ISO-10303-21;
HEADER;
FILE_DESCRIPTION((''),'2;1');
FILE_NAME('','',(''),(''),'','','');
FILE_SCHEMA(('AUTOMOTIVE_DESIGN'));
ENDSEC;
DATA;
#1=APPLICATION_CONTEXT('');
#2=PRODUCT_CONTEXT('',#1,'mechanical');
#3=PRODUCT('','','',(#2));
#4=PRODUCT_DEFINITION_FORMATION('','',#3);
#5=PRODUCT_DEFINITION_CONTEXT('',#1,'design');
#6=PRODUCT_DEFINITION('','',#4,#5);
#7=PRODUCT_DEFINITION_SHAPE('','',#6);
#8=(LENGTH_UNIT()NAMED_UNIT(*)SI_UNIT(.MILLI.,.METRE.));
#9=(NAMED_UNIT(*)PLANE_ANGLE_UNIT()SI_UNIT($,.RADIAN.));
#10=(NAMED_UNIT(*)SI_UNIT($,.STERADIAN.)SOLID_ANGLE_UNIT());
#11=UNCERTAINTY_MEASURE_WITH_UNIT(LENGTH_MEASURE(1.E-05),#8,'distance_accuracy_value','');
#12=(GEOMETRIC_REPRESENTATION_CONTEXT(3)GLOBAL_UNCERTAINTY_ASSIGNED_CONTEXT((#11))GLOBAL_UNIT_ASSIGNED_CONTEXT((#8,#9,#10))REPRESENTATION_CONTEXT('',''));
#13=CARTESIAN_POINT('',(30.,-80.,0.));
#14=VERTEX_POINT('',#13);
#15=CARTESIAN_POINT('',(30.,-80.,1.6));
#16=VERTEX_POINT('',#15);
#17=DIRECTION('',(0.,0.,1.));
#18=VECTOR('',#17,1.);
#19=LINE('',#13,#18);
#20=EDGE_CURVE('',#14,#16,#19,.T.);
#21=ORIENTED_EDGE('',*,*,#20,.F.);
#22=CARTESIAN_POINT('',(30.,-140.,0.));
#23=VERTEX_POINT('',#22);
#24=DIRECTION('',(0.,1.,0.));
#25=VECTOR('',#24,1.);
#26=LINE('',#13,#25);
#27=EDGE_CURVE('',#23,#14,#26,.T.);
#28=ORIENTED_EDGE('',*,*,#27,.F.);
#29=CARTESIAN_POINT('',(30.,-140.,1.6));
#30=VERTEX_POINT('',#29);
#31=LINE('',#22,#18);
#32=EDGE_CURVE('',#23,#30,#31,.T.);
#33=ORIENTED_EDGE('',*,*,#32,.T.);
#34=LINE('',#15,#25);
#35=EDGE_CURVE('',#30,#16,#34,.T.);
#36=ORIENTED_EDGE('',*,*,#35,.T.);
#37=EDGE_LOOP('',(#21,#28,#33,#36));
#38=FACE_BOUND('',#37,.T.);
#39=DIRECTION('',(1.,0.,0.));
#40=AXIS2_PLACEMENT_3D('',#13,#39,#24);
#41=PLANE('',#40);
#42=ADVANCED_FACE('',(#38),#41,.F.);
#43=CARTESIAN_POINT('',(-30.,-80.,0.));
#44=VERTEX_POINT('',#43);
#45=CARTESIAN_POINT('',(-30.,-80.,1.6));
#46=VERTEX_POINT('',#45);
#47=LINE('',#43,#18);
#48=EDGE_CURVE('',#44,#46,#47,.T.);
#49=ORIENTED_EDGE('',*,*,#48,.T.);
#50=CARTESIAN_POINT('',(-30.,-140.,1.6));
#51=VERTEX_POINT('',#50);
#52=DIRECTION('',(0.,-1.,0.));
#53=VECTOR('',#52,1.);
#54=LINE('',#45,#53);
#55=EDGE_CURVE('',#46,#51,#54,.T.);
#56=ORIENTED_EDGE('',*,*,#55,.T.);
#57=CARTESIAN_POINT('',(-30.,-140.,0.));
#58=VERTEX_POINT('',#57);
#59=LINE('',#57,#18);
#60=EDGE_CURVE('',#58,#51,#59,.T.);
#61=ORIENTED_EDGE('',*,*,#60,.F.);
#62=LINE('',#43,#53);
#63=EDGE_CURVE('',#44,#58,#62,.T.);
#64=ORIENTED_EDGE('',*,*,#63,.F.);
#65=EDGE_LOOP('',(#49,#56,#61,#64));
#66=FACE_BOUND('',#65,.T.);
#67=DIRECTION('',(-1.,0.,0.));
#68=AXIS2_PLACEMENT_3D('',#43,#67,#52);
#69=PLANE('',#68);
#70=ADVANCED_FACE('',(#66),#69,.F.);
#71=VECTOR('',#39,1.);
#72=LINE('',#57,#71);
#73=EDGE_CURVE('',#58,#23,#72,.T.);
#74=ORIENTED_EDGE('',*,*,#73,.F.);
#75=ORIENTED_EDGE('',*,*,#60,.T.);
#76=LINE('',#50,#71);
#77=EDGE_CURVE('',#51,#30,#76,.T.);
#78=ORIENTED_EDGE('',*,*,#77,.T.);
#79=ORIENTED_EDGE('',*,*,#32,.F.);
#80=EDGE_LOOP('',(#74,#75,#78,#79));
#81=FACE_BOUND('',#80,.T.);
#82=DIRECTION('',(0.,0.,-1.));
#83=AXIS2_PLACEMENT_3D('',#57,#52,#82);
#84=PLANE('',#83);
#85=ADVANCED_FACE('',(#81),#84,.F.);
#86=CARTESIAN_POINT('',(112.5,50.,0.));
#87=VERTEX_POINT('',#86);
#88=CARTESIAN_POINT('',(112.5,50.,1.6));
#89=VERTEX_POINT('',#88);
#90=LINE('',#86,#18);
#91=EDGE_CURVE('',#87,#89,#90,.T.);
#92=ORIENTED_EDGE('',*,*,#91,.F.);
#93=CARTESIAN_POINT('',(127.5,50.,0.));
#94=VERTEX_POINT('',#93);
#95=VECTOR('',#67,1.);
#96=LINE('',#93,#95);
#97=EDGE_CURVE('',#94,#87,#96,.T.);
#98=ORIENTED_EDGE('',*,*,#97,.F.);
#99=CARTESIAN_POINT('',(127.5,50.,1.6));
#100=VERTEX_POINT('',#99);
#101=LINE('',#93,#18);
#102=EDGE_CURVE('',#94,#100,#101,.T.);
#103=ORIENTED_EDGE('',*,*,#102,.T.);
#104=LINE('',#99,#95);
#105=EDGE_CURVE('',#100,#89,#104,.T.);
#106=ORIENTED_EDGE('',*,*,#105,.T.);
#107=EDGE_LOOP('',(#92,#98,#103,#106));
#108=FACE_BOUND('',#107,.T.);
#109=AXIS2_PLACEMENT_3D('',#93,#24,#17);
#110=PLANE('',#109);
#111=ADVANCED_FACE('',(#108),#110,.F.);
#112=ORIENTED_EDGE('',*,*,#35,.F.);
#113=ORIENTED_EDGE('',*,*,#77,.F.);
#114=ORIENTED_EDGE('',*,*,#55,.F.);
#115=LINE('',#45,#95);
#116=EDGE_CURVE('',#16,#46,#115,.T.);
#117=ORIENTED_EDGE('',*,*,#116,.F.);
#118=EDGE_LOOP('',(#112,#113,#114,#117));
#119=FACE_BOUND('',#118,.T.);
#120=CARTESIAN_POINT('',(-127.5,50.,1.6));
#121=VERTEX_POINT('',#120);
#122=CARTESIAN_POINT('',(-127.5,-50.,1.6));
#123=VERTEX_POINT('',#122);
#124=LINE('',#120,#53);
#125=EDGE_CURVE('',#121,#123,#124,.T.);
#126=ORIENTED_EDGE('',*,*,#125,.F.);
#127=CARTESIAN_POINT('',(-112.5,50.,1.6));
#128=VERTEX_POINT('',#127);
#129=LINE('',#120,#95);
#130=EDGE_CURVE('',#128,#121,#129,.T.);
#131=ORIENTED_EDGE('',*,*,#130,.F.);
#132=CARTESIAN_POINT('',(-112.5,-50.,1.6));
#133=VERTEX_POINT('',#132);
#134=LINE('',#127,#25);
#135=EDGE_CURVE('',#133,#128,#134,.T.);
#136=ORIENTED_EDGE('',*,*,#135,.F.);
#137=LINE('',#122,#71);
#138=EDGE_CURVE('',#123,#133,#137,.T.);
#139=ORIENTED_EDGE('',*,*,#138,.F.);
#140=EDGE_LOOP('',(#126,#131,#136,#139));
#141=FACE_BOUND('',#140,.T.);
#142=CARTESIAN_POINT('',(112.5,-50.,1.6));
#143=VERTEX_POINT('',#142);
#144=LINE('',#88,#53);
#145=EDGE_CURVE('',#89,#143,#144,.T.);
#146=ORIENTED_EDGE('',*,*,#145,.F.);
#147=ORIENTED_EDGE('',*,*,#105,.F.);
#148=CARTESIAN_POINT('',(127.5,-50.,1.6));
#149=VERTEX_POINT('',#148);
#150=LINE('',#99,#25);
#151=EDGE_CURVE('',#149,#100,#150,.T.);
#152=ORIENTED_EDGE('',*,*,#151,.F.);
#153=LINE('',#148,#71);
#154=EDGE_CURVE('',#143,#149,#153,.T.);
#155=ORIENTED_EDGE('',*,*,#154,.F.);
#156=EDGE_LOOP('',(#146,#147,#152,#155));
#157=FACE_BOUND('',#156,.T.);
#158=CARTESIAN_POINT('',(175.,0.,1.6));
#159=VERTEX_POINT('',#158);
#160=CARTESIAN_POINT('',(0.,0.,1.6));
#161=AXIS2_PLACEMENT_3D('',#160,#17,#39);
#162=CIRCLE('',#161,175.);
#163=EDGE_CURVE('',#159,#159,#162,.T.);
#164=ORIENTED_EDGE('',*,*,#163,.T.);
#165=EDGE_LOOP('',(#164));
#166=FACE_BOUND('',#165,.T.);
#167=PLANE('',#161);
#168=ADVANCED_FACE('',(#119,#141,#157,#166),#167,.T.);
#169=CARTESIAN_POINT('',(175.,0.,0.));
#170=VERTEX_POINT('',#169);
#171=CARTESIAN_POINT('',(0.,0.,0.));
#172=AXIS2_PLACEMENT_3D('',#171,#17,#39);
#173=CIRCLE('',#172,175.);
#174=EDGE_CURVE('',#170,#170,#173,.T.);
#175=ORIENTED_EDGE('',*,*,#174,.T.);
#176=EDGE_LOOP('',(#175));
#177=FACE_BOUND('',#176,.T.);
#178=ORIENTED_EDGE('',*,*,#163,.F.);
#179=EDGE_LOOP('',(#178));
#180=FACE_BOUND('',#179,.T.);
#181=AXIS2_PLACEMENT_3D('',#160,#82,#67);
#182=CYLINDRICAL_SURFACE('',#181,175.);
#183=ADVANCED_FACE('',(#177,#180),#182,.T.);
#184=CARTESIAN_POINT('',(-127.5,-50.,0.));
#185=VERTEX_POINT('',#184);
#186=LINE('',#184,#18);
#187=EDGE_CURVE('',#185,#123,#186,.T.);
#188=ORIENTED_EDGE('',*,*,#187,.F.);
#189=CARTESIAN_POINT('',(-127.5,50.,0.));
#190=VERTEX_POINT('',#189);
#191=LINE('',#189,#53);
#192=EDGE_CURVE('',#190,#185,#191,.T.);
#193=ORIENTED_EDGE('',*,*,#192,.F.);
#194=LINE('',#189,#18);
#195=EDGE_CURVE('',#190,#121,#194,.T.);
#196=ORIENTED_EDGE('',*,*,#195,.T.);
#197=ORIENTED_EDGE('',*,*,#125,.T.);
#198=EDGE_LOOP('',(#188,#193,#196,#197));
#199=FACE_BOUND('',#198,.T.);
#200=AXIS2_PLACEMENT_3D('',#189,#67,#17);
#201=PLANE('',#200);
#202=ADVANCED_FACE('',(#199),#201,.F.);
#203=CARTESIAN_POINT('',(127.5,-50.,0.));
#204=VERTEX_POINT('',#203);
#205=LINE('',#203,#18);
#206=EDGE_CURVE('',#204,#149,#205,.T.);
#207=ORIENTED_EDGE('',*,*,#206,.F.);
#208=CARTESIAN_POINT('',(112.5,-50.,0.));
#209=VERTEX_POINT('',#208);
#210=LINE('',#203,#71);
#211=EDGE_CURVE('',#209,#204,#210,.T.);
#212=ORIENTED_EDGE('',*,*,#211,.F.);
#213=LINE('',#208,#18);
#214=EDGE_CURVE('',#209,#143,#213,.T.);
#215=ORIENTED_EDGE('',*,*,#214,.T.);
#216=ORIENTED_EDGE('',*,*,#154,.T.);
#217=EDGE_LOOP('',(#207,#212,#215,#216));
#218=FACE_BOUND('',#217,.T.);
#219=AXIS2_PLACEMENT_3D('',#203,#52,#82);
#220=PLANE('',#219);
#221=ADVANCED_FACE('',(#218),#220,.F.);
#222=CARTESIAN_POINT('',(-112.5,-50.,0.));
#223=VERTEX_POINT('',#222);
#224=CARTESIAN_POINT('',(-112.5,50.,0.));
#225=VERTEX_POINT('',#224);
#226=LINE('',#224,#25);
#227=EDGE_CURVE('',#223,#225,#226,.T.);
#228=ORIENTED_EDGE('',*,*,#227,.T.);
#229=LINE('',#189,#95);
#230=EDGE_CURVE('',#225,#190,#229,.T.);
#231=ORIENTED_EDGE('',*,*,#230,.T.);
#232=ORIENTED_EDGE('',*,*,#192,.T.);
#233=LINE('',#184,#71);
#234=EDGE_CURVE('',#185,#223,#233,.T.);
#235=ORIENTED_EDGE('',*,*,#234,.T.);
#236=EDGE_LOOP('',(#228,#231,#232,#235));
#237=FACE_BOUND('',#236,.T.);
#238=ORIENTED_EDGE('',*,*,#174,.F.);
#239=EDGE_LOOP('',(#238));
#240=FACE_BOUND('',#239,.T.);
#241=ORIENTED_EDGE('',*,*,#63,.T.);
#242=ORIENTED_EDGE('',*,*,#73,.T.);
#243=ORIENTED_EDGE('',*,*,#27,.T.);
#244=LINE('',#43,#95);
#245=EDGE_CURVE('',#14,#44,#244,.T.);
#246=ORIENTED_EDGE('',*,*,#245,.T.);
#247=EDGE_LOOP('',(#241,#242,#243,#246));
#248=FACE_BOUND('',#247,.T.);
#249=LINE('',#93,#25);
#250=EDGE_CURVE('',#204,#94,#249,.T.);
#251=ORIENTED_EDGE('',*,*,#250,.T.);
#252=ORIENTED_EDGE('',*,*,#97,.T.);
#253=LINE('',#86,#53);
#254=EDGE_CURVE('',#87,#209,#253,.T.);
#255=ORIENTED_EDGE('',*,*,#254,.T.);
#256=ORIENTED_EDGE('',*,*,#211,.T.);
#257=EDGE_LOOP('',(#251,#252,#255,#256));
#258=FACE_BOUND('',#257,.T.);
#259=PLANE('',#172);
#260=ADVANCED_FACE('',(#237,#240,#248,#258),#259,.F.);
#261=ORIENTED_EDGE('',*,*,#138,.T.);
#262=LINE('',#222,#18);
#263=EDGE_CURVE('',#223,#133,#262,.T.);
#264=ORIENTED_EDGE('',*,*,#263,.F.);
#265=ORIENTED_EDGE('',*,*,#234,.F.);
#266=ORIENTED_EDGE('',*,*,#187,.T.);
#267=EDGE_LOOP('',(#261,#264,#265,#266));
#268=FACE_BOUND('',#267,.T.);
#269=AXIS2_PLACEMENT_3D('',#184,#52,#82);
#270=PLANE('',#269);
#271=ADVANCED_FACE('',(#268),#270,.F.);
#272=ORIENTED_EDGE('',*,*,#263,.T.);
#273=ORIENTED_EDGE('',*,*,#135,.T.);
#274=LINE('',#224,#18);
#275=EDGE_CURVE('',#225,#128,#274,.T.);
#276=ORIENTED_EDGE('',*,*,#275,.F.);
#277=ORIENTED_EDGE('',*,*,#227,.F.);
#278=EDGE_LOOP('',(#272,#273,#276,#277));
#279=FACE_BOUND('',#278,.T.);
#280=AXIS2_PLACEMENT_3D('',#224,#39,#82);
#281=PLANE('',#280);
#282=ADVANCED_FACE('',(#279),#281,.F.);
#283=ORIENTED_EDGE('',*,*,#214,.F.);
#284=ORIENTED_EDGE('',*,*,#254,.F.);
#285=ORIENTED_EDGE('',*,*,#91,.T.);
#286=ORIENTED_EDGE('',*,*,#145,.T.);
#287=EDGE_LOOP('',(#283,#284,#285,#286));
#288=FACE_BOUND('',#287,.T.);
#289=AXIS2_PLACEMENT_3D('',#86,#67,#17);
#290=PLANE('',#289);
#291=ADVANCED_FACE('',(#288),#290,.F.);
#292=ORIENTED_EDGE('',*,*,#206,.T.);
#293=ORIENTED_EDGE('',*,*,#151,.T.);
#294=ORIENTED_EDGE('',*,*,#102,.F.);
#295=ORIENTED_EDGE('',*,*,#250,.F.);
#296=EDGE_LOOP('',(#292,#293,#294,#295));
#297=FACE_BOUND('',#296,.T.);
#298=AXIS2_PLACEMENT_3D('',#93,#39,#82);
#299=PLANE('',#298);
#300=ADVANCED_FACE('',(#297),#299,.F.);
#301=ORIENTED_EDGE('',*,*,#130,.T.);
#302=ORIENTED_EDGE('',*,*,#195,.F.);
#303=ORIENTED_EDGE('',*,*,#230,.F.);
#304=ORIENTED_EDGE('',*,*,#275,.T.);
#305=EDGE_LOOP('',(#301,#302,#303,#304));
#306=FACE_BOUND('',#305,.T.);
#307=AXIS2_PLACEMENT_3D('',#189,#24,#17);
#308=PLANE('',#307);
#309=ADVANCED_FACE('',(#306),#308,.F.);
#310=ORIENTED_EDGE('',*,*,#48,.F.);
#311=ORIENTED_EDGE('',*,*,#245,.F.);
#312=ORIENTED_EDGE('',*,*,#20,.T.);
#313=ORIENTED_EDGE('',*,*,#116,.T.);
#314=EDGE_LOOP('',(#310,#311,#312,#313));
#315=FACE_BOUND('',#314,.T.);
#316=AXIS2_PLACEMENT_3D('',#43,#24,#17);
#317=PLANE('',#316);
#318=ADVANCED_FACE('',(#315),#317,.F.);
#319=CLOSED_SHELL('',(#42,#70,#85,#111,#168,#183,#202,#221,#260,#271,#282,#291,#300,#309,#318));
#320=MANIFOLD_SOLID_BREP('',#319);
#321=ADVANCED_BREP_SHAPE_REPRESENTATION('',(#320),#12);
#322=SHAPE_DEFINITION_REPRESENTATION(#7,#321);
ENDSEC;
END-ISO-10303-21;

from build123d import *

# Parameters (mm, degrees)
SKETCH1_R           = 175
BOSS_EXTRUDE1_DEPTH = 1.6
SKETCH2_W           = 15
SKETCH2_H           = 100
CUT_EXTRUDE1_DEPTH  = 1.6
SKETCH3_W           = 60
SKETCH3_H           = 60
CUT_EXTRUDE2_DEPTH  = 2.6


with BuildPart() as part:
    # Sketch1 → Boss-Extrude1 (new body)
    with BuildSketch(Plane.XY):
        Circle(SKETCH1_R)
    extrude(amount=BOSS_EXTRUDE1_DEPTH)

    # Sketch2 → Cut-Extrude1 (cut)
    with BuildSketch(Plane.XY.offset(1.6)):
        with Locations((-120, 0)):
            Rectangle(SKETCH2_W, SKETCH2_H)
        with Locations((120, 0)):
            Rectangle(SKETCH2_W, SKETCH2_H)
    extrude(amount=-CUT_EXTRUDE1_DEPTH, mode=Mode.SUBTRACT)

    # Sketch3 → Cut-Extrude2 (cut, through all)
    with BuildSketch(Plane.XY.offset(1.6)):
        with Locations((0, -110)):
            Rectangle(SKETCH3_W, SKETCH3_H)
    extrude(amount=-CUT_EXTRUDE2_DEPTH, mode=Mode.SUBTRACT)


solid = part.part
